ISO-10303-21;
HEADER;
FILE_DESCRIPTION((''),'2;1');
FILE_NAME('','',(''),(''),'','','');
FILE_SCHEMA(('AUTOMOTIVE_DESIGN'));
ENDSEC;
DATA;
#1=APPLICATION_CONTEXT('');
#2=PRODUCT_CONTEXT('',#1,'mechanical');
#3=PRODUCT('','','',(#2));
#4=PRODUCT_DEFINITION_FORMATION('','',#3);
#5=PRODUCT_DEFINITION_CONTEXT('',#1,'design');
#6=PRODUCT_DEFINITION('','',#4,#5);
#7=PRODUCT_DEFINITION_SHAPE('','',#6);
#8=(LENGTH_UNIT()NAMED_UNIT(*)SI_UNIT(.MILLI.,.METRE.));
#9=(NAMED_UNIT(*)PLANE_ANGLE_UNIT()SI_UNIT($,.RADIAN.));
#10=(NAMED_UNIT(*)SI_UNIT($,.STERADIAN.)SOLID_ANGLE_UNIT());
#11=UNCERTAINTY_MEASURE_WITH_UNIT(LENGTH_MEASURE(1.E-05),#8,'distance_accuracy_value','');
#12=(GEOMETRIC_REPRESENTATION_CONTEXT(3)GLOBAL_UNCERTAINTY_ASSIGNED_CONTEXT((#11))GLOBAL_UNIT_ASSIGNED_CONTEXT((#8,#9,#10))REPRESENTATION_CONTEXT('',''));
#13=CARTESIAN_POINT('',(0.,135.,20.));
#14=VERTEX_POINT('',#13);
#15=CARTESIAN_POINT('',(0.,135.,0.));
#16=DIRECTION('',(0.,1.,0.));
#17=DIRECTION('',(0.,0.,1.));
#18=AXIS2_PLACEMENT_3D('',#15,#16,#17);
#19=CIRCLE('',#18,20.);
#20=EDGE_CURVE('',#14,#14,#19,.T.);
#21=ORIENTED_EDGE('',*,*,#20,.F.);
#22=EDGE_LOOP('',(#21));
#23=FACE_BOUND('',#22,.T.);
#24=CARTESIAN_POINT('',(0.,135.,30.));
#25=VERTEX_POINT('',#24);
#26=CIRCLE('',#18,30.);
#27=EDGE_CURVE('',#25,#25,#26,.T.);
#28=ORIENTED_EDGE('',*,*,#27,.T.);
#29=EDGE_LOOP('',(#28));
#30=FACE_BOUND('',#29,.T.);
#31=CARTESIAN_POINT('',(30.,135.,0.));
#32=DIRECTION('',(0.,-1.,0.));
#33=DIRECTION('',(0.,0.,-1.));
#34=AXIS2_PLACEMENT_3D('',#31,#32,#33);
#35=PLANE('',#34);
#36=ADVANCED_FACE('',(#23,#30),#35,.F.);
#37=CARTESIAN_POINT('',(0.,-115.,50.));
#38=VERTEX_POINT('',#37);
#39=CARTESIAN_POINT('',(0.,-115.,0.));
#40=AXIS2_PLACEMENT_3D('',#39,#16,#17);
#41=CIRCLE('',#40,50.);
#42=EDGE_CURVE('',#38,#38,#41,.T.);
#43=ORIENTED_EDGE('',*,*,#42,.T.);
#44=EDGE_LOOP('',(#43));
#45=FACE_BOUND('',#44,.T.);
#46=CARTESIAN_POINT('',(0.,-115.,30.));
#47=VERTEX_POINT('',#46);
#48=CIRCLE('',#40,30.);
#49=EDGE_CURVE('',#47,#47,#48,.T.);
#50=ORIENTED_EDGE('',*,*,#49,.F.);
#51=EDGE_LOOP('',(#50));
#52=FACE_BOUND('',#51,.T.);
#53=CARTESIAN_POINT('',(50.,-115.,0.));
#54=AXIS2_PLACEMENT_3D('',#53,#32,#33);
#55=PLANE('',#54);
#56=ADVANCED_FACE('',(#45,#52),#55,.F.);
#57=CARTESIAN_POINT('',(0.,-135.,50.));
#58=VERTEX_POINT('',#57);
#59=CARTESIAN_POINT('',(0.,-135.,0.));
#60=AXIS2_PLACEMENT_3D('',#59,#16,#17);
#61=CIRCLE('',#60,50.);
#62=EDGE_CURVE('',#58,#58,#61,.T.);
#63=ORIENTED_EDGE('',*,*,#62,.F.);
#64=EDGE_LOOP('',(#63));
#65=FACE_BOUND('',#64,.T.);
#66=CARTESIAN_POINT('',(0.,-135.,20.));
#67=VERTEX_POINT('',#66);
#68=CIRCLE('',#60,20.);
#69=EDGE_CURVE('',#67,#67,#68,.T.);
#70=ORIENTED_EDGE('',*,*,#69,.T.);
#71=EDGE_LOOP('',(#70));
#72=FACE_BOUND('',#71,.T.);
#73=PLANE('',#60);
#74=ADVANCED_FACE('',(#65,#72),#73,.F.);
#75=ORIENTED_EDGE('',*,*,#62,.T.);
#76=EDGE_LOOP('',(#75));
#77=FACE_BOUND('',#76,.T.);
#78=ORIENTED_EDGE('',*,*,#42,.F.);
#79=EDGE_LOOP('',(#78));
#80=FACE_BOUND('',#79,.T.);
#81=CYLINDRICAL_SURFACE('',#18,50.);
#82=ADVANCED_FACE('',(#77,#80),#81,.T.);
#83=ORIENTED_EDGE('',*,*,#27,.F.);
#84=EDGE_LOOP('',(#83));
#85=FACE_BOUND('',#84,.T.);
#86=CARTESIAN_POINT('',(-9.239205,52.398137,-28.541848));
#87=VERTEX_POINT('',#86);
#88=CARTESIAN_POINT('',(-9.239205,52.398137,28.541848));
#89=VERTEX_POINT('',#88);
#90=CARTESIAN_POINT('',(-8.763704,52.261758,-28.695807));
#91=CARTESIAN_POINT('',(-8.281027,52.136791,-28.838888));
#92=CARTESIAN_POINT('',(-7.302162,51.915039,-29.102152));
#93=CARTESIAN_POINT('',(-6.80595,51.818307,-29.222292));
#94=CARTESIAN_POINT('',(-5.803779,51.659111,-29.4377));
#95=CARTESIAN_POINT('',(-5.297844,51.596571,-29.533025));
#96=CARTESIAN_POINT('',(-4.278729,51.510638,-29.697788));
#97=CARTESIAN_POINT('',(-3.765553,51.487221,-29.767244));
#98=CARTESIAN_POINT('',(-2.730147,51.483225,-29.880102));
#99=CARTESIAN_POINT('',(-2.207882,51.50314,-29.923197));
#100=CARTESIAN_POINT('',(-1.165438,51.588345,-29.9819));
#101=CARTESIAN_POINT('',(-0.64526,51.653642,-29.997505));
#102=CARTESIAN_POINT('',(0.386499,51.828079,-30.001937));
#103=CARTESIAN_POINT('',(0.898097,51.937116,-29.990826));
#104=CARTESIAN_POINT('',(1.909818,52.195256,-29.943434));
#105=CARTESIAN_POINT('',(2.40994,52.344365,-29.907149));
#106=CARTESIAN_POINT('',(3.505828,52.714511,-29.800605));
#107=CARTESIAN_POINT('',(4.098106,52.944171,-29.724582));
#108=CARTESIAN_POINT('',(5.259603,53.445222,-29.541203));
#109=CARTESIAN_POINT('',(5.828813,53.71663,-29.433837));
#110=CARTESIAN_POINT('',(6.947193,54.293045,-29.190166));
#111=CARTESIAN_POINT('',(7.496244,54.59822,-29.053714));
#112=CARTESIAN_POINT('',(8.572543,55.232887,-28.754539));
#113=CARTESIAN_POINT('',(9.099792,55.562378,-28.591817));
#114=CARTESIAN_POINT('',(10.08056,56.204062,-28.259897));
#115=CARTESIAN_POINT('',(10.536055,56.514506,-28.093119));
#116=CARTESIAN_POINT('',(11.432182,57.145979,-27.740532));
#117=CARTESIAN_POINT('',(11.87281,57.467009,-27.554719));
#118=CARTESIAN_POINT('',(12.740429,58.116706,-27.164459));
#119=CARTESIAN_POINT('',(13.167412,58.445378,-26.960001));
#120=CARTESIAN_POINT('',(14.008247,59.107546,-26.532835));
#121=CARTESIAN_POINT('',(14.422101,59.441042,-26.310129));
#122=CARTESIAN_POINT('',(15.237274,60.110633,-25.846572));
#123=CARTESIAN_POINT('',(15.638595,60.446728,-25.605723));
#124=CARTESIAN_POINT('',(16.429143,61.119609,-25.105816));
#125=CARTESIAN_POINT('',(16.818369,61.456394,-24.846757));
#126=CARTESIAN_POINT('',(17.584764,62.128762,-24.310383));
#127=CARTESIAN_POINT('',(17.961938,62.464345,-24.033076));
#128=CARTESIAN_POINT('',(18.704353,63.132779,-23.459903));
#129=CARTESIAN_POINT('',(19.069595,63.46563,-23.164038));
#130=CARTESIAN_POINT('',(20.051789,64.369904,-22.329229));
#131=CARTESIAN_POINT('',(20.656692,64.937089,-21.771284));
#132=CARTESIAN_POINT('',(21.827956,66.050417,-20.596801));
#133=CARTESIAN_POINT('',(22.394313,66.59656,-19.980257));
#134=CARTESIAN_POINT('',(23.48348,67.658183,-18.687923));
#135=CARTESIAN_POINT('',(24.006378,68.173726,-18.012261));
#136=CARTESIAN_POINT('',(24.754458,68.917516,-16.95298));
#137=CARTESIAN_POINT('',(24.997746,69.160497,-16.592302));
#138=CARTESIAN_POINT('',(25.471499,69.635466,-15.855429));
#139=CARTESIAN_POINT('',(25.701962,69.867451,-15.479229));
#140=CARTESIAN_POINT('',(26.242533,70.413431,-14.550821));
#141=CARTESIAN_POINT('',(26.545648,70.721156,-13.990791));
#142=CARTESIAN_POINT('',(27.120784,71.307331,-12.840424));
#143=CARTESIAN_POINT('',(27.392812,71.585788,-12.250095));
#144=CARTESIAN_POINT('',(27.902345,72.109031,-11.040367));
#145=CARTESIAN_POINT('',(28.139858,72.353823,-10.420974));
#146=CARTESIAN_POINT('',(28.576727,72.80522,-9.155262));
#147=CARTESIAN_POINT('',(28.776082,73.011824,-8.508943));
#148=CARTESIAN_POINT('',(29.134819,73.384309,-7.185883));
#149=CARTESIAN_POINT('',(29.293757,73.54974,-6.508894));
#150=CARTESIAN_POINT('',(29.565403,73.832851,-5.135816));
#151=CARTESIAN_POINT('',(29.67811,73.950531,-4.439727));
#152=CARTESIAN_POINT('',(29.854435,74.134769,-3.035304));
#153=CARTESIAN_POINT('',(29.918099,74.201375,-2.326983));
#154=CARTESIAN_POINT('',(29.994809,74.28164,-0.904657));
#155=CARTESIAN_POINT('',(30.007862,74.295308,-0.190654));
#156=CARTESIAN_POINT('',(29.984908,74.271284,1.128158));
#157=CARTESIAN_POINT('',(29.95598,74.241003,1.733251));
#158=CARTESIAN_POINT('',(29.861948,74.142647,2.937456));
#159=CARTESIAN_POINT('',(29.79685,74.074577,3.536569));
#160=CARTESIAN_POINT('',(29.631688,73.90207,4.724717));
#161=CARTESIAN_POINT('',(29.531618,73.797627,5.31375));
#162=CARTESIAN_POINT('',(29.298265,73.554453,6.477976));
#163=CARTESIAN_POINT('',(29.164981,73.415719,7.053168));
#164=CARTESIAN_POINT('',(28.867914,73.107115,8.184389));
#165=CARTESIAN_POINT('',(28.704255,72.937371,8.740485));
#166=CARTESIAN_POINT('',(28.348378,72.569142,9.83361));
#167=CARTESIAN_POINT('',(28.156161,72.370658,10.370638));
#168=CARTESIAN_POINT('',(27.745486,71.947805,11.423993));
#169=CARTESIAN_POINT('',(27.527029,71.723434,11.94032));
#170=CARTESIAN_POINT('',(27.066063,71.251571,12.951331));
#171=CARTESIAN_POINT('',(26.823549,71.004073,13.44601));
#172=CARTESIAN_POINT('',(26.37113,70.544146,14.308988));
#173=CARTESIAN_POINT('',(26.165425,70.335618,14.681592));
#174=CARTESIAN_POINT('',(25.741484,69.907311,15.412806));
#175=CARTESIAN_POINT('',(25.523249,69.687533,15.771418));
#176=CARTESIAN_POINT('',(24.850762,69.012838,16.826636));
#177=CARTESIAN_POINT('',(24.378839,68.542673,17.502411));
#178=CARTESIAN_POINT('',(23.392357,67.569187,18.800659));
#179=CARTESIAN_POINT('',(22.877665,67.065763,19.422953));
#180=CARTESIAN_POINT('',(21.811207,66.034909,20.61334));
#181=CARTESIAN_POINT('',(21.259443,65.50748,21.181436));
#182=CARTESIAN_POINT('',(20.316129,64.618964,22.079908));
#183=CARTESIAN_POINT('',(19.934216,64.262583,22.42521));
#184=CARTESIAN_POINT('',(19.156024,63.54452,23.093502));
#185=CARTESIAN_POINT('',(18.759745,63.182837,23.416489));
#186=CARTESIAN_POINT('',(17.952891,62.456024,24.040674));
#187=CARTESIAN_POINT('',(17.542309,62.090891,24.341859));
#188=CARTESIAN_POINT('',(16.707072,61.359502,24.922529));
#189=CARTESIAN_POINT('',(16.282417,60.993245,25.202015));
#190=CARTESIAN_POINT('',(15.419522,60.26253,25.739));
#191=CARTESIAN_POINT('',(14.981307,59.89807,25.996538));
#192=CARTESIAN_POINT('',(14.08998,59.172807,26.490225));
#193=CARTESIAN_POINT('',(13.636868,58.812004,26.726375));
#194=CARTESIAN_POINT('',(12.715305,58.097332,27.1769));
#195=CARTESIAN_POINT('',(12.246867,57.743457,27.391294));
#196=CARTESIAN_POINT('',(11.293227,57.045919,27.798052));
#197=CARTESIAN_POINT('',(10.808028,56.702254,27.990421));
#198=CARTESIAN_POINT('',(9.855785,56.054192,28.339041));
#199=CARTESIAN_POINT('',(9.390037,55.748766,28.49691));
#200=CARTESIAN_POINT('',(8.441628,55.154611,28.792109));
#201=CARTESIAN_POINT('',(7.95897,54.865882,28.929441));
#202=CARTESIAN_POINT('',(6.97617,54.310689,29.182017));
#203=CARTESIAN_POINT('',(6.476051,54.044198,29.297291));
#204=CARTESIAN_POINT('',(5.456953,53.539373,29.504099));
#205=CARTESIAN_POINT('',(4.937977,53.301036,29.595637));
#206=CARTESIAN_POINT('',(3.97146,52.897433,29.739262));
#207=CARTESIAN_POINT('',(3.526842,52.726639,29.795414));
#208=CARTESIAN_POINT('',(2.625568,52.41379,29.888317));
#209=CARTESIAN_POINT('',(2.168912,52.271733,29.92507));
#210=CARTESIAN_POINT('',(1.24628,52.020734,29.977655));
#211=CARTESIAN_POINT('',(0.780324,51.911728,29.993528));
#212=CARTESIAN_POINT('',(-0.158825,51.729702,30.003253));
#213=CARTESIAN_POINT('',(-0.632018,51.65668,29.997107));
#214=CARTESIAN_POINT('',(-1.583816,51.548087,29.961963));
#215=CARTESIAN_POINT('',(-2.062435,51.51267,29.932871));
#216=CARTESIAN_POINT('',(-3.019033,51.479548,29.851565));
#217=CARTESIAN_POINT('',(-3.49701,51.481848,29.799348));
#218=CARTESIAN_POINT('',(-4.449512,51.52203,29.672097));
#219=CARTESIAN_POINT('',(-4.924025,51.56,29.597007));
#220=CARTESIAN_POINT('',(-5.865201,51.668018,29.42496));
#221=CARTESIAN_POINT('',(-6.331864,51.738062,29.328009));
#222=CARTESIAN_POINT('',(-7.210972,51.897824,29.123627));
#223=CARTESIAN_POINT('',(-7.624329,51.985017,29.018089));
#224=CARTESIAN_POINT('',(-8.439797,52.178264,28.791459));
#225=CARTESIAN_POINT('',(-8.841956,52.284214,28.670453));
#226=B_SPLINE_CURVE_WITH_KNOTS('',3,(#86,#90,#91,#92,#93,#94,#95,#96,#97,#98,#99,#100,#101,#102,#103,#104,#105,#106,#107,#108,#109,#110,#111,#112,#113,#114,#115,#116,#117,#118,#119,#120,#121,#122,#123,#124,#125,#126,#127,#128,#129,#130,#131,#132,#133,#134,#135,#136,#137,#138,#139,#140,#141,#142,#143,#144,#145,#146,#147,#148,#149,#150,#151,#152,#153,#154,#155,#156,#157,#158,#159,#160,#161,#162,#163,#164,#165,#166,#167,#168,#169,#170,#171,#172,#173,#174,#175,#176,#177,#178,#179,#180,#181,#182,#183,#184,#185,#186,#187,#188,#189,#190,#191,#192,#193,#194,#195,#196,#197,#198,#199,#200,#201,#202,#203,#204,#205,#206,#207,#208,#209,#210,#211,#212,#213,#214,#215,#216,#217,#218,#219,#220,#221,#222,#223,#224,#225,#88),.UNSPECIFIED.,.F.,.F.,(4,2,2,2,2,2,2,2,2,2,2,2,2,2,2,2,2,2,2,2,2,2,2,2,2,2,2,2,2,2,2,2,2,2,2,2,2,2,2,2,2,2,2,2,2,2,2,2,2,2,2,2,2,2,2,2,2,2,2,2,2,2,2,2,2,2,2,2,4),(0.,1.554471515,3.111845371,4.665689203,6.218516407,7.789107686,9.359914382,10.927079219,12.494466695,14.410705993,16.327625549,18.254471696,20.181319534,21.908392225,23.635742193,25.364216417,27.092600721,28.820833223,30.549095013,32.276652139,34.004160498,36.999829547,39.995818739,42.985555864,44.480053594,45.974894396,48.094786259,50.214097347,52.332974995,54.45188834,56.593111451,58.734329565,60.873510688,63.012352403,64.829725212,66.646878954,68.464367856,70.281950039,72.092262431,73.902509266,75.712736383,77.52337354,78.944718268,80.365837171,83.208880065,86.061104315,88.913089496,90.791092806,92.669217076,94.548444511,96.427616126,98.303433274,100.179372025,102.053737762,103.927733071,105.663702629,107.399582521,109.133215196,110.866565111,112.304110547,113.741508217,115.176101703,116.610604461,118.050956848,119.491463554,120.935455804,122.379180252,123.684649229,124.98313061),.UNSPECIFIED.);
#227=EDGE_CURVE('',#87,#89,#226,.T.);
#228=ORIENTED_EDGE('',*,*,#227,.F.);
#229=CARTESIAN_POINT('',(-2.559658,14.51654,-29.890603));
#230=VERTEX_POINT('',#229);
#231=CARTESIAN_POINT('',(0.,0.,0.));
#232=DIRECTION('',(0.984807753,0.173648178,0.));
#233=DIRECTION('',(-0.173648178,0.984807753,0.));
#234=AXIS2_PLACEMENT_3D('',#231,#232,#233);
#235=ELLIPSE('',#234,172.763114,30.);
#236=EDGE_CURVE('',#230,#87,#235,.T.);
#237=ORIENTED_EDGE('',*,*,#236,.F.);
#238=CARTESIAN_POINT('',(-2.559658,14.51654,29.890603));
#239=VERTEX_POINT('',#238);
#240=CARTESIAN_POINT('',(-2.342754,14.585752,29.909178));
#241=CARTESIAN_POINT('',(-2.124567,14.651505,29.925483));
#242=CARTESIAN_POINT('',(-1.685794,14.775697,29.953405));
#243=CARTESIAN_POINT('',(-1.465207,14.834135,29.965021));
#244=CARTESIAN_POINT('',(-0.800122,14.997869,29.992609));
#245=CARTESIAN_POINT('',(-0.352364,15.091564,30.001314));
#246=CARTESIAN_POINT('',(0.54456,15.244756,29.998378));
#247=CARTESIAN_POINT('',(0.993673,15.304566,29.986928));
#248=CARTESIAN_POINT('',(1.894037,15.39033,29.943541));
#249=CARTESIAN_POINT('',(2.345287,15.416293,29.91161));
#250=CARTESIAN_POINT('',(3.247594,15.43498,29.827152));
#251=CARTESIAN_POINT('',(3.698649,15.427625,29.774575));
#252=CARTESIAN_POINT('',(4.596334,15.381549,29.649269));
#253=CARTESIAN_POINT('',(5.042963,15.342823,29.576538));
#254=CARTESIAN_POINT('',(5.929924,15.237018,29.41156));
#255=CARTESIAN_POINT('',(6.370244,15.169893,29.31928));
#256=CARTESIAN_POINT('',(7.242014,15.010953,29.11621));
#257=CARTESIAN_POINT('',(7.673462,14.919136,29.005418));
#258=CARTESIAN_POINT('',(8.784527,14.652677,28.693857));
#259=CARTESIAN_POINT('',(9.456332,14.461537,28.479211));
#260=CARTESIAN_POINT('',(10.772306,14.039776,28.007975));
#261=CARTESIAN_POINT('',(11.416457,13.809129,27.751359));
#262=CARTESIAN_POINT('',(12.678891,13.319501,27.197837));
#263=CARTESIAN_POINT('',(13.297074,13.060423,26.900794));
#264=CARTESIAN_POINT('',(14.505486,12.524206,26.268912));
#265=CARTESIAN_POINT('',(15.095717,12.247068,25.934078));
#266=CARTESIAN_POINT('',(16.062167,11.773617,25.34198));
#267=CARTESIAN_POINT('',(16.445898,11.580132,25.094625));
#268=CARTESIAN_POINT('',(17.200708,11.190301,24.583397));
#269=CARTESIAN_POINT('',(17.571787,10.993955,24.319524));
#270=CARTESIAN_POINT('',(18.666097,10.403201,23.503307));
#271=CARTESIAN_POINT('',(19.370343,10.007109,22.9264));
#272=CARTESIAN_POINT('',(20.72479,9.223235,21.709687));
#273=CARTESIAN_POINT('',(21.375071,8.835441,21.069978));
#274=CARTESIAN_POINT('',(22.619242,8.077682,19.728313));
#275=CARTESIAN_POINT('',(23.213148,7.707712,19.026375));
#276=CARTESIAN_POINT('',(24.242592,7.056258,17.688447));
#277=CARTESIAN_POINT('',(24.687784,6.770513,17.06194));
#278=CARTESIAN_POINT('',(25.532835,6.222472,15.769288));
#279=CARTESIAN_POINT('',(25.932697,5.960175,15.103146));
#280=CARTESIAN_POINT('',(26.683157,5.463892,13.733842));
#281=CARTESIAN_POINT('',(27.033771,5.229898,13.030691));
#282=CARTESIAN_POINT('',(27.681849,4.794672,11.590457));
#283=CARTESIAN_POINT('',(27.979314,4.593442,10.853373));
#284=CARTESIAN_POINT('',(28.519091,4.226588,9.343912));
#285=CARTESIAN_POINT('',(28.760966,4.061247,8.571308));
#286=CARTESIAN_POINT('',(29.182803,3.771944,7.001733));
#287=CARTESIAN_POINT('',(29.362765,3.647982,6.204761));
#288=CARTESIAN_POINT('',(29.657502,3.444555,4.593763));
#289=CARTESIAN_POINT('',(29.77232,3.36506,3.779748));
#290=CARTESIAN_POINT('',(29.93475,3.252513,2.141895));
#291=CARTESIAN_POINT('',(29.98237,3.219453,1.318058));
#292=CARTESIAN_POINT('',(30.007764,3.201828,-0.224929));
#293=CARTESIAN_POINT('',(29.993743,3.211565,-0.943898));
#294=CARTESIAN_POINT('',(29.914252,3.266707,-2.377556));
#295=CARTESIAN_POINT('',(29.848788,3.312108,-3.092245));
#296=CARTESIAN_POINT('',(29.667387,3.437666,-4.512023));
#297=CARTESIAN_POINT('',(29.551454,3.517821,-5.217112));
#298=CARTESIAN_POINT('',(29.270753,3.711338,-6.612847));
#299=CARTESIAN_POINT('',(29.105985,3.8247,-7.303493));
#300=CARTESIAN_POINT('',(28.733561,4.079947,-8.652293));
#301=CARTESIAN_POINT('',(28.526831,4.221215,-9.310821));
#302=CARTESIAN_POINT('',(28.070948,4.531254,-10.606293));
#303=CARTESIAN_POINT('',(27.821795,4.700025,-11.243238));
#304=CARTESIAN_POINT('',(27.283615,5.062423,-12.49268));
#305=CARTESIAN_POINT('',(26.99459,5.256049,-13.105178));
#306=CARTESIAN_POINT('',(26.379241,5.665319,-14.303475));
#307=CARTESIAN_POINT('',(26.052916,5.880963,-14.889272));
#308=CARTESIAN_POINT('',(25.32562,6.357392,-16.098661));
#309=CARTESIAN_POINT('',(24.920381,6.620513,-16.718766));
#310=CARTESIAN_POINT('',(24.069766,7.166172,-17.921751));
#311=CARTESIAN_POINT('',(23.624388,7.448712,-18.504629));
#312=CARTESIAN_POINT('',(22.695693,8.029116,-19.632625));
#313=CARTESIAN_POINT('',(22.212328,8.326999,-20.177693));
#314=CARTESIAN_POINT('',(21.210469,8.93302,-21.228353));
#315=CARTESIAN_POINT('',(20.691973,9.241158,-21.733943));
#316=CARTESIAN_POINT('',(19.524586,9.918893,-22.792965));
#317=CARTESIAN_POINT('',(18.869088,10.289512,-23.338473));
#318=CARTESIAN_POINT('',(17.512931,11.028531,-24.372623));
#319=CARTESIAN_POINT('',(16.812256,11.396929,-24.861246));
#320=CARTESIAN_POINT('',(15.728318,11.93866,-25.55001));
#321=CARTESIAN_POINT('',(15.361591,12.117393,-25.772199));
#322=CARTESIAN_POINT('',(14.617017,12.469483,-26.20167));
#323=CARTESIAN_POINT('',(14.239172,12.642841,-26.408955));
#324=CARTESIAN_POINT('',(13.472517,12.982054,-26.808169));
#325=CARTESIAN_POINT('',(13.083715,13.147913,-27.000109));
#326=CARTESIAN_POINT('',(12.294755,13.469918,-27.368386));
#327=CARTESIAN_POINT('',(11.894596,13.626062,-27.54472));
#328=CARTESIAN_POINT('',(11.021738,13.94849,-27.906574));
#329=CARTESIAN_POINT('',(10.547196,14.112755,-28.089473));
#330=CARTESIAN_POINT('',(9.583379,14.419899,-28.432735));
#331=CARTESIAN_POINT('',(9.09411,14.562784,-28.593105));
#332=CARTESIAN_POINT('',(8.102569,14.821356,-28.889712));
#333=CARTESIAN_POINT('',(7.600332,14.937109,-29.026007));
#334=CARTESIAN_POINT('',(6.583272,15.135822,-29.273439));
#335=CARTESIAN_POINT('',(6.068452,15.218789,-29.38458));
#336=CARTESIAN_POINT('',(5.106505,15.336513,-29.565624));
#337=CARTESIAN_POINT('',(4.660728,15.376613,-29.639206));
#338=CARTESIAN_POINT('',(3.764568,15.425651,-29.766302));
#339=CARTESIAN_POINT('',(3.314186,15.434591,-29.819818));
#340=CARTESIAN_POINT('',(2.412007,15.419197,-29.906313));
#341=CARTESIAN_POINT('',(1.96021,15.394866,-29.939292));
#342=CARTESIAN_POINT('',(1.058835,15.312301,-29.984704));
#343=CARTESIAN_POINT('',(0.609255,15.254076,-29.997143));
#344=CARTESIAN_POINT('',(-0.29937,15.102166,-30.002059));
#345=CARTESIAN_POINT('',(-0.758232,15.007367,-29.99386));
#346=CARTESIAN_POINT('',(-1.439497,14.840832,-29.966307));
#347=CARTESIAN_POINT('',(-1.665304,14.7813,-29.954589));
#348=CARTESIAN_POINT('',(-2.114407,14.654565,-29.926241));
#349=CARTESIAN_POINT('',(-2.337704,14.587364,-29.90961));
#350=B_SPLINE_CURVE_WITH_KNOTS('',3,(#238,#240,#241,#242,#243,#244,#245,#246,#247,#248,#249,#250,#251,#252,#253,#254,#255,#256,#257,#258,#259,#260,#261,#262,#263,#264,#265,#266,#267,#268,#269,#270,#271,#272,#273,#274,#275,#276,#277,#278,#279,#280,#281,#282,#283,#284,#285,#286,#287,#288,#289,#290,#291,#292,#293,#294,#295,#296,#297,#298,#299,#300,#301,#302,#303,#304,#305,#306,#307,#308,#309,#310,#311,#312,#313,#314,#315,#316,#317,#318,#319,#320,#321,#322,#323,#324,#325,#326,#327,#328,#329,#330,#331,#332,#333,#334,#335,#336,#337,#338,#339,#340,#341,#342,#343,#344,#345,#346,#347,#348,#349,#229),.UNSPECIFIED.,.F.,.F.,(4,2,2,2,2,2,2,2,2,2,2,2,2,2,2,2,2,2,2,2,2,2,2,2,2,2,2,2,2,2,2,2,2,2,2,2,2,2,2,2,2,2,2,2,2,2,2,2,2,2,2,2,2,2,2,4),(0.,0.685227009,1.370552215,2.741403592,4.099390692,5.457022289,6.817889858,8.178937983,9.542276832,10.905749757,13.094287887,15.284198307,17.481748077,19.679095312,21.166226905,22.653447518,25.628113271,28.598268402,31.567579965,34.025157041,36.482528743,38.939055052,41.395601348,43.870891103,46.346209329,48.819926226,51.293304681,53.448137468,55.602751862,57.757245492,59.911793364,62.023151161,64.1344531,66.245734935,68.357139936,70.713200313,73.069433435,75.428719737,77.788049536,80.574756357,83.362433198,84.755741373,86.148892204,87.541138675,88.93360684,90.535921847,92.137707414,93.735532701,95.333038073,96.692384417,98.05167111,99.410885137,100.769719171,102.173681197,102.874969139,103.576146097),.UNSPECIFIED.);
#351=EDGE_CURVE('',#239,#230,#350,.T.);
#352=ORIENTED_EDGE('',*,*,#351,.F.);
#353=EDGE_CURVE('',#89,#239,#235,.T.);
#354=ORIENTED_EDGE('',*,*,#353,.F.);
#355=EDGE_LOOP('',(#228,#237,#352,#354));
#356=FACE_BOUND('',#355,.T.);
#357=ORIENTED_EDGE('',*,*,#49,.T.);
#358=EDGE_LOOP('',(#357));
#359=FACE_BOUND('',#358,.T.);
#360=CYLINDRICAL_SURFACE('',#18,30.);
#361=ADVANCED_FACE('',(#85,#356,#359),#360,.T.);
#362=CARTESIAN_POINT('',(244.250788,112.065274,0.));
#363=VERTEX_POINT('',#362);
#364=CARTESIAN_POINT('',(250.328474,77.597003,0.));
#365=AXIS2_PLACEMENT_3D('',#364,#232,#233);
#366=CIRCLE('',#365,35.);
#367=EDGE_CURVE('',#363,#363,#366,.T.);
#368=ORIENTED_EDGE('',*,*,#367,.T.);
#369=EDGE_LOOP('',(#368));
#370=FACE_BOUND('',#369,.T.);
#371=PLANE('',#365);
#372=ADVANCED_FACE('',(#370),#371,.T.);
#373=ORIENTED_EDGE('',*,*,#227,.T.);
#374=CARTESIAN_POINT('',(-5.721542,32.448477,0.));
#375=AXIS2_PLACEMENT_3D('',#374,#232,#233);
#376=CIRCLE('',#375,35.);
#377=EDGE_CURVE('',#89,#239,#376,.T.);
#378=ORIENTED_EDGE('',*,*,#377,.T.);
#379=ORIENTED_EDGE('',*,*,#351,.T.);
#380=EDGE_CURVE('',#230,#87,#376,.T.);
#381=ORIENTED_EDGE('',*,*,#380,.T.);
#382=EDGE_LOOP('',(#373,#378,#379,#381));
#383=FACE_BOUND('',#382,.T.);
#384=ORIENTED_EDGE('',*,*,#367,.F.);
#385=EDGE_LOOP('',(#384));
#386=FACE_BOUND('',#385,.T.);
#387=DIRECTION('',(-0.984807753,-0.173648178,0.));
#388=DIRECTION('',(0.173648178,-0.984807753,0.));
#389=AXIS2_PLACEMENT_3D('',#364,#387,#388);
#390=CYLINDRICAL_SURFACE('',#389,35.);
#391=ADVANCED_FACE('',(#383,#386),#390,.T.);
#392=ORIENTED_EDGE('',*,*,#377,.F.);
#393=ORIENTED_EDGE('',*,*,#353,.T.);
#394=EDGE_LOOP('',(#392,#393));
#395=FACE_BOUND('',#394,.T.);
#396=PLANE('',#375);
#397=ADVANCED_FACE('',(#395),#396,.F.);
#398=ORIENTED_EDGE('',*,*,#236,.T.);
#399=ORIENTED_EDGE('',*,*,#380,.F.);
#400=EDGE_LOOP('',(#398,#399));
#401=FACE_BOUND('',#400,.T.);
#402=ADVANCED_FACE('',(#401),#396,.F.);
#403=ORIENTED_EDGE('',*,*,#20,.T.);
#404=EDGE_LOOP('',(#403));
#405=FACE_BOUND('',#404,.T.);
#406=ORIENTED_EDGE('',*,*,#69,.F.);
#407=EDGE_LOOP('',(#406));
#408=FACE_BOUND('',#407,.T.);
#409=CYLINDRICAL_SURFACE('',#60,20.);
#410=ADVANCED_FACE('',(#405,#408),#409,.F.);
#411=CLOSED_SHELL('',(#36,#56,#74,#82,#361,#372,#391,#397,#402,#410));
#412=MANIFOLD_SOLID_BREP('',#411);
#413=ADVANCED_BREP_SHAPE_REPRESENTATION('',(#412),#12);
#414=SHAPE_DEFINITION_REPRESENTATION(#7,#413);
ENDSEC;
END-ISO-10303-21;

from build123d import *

# Parameters (mm, degrees)
SKETCH3_R           = 35
BOSS_EXTRUDE1_DEPTH = 260
SKETCH4_R           = 20
CUT_EXTRUDE1_DEPTH  = 376.691521045


with BuildPart() as part:
    # Sketch1 → Revolve2 (revolve)
    with BuildSketch(Plane.XY):
        Polygon((0, 135), (0, -135), (50, -135), (50, -115), (30, -115), (30, 135), align=None)
    revolve(axis=Axis((0, 135, 0), (0, -1, 0)))

    # Sketch3 → Boss-Extrude1 (add)
    with BuildSketch(Plane(origin=(0, 0, 0), x_dir=(0, 0, 1), z_dir=(0.9848077530122081, 0.17364817766693041, 0))):
        with Locations((0, -32.949046657)):
            Circle(SKETCH3_R)
    extrude(amount=BOSS_EXTRUDE1_DEPTH)

    # Sketch4 → Cut-Extrude1 (cut, through all)
    with BuildSketch(Plane(origin=(0, 135, 0), x_dir=(1, 0, 0), z_dir=(0, 1, 0))):
        Circle(SKETCH4_R)
    extrude(amount=-CUT_EXTRUDE1_DEPTH, mode=Mode.SUBTRACT)


solid = part.part
